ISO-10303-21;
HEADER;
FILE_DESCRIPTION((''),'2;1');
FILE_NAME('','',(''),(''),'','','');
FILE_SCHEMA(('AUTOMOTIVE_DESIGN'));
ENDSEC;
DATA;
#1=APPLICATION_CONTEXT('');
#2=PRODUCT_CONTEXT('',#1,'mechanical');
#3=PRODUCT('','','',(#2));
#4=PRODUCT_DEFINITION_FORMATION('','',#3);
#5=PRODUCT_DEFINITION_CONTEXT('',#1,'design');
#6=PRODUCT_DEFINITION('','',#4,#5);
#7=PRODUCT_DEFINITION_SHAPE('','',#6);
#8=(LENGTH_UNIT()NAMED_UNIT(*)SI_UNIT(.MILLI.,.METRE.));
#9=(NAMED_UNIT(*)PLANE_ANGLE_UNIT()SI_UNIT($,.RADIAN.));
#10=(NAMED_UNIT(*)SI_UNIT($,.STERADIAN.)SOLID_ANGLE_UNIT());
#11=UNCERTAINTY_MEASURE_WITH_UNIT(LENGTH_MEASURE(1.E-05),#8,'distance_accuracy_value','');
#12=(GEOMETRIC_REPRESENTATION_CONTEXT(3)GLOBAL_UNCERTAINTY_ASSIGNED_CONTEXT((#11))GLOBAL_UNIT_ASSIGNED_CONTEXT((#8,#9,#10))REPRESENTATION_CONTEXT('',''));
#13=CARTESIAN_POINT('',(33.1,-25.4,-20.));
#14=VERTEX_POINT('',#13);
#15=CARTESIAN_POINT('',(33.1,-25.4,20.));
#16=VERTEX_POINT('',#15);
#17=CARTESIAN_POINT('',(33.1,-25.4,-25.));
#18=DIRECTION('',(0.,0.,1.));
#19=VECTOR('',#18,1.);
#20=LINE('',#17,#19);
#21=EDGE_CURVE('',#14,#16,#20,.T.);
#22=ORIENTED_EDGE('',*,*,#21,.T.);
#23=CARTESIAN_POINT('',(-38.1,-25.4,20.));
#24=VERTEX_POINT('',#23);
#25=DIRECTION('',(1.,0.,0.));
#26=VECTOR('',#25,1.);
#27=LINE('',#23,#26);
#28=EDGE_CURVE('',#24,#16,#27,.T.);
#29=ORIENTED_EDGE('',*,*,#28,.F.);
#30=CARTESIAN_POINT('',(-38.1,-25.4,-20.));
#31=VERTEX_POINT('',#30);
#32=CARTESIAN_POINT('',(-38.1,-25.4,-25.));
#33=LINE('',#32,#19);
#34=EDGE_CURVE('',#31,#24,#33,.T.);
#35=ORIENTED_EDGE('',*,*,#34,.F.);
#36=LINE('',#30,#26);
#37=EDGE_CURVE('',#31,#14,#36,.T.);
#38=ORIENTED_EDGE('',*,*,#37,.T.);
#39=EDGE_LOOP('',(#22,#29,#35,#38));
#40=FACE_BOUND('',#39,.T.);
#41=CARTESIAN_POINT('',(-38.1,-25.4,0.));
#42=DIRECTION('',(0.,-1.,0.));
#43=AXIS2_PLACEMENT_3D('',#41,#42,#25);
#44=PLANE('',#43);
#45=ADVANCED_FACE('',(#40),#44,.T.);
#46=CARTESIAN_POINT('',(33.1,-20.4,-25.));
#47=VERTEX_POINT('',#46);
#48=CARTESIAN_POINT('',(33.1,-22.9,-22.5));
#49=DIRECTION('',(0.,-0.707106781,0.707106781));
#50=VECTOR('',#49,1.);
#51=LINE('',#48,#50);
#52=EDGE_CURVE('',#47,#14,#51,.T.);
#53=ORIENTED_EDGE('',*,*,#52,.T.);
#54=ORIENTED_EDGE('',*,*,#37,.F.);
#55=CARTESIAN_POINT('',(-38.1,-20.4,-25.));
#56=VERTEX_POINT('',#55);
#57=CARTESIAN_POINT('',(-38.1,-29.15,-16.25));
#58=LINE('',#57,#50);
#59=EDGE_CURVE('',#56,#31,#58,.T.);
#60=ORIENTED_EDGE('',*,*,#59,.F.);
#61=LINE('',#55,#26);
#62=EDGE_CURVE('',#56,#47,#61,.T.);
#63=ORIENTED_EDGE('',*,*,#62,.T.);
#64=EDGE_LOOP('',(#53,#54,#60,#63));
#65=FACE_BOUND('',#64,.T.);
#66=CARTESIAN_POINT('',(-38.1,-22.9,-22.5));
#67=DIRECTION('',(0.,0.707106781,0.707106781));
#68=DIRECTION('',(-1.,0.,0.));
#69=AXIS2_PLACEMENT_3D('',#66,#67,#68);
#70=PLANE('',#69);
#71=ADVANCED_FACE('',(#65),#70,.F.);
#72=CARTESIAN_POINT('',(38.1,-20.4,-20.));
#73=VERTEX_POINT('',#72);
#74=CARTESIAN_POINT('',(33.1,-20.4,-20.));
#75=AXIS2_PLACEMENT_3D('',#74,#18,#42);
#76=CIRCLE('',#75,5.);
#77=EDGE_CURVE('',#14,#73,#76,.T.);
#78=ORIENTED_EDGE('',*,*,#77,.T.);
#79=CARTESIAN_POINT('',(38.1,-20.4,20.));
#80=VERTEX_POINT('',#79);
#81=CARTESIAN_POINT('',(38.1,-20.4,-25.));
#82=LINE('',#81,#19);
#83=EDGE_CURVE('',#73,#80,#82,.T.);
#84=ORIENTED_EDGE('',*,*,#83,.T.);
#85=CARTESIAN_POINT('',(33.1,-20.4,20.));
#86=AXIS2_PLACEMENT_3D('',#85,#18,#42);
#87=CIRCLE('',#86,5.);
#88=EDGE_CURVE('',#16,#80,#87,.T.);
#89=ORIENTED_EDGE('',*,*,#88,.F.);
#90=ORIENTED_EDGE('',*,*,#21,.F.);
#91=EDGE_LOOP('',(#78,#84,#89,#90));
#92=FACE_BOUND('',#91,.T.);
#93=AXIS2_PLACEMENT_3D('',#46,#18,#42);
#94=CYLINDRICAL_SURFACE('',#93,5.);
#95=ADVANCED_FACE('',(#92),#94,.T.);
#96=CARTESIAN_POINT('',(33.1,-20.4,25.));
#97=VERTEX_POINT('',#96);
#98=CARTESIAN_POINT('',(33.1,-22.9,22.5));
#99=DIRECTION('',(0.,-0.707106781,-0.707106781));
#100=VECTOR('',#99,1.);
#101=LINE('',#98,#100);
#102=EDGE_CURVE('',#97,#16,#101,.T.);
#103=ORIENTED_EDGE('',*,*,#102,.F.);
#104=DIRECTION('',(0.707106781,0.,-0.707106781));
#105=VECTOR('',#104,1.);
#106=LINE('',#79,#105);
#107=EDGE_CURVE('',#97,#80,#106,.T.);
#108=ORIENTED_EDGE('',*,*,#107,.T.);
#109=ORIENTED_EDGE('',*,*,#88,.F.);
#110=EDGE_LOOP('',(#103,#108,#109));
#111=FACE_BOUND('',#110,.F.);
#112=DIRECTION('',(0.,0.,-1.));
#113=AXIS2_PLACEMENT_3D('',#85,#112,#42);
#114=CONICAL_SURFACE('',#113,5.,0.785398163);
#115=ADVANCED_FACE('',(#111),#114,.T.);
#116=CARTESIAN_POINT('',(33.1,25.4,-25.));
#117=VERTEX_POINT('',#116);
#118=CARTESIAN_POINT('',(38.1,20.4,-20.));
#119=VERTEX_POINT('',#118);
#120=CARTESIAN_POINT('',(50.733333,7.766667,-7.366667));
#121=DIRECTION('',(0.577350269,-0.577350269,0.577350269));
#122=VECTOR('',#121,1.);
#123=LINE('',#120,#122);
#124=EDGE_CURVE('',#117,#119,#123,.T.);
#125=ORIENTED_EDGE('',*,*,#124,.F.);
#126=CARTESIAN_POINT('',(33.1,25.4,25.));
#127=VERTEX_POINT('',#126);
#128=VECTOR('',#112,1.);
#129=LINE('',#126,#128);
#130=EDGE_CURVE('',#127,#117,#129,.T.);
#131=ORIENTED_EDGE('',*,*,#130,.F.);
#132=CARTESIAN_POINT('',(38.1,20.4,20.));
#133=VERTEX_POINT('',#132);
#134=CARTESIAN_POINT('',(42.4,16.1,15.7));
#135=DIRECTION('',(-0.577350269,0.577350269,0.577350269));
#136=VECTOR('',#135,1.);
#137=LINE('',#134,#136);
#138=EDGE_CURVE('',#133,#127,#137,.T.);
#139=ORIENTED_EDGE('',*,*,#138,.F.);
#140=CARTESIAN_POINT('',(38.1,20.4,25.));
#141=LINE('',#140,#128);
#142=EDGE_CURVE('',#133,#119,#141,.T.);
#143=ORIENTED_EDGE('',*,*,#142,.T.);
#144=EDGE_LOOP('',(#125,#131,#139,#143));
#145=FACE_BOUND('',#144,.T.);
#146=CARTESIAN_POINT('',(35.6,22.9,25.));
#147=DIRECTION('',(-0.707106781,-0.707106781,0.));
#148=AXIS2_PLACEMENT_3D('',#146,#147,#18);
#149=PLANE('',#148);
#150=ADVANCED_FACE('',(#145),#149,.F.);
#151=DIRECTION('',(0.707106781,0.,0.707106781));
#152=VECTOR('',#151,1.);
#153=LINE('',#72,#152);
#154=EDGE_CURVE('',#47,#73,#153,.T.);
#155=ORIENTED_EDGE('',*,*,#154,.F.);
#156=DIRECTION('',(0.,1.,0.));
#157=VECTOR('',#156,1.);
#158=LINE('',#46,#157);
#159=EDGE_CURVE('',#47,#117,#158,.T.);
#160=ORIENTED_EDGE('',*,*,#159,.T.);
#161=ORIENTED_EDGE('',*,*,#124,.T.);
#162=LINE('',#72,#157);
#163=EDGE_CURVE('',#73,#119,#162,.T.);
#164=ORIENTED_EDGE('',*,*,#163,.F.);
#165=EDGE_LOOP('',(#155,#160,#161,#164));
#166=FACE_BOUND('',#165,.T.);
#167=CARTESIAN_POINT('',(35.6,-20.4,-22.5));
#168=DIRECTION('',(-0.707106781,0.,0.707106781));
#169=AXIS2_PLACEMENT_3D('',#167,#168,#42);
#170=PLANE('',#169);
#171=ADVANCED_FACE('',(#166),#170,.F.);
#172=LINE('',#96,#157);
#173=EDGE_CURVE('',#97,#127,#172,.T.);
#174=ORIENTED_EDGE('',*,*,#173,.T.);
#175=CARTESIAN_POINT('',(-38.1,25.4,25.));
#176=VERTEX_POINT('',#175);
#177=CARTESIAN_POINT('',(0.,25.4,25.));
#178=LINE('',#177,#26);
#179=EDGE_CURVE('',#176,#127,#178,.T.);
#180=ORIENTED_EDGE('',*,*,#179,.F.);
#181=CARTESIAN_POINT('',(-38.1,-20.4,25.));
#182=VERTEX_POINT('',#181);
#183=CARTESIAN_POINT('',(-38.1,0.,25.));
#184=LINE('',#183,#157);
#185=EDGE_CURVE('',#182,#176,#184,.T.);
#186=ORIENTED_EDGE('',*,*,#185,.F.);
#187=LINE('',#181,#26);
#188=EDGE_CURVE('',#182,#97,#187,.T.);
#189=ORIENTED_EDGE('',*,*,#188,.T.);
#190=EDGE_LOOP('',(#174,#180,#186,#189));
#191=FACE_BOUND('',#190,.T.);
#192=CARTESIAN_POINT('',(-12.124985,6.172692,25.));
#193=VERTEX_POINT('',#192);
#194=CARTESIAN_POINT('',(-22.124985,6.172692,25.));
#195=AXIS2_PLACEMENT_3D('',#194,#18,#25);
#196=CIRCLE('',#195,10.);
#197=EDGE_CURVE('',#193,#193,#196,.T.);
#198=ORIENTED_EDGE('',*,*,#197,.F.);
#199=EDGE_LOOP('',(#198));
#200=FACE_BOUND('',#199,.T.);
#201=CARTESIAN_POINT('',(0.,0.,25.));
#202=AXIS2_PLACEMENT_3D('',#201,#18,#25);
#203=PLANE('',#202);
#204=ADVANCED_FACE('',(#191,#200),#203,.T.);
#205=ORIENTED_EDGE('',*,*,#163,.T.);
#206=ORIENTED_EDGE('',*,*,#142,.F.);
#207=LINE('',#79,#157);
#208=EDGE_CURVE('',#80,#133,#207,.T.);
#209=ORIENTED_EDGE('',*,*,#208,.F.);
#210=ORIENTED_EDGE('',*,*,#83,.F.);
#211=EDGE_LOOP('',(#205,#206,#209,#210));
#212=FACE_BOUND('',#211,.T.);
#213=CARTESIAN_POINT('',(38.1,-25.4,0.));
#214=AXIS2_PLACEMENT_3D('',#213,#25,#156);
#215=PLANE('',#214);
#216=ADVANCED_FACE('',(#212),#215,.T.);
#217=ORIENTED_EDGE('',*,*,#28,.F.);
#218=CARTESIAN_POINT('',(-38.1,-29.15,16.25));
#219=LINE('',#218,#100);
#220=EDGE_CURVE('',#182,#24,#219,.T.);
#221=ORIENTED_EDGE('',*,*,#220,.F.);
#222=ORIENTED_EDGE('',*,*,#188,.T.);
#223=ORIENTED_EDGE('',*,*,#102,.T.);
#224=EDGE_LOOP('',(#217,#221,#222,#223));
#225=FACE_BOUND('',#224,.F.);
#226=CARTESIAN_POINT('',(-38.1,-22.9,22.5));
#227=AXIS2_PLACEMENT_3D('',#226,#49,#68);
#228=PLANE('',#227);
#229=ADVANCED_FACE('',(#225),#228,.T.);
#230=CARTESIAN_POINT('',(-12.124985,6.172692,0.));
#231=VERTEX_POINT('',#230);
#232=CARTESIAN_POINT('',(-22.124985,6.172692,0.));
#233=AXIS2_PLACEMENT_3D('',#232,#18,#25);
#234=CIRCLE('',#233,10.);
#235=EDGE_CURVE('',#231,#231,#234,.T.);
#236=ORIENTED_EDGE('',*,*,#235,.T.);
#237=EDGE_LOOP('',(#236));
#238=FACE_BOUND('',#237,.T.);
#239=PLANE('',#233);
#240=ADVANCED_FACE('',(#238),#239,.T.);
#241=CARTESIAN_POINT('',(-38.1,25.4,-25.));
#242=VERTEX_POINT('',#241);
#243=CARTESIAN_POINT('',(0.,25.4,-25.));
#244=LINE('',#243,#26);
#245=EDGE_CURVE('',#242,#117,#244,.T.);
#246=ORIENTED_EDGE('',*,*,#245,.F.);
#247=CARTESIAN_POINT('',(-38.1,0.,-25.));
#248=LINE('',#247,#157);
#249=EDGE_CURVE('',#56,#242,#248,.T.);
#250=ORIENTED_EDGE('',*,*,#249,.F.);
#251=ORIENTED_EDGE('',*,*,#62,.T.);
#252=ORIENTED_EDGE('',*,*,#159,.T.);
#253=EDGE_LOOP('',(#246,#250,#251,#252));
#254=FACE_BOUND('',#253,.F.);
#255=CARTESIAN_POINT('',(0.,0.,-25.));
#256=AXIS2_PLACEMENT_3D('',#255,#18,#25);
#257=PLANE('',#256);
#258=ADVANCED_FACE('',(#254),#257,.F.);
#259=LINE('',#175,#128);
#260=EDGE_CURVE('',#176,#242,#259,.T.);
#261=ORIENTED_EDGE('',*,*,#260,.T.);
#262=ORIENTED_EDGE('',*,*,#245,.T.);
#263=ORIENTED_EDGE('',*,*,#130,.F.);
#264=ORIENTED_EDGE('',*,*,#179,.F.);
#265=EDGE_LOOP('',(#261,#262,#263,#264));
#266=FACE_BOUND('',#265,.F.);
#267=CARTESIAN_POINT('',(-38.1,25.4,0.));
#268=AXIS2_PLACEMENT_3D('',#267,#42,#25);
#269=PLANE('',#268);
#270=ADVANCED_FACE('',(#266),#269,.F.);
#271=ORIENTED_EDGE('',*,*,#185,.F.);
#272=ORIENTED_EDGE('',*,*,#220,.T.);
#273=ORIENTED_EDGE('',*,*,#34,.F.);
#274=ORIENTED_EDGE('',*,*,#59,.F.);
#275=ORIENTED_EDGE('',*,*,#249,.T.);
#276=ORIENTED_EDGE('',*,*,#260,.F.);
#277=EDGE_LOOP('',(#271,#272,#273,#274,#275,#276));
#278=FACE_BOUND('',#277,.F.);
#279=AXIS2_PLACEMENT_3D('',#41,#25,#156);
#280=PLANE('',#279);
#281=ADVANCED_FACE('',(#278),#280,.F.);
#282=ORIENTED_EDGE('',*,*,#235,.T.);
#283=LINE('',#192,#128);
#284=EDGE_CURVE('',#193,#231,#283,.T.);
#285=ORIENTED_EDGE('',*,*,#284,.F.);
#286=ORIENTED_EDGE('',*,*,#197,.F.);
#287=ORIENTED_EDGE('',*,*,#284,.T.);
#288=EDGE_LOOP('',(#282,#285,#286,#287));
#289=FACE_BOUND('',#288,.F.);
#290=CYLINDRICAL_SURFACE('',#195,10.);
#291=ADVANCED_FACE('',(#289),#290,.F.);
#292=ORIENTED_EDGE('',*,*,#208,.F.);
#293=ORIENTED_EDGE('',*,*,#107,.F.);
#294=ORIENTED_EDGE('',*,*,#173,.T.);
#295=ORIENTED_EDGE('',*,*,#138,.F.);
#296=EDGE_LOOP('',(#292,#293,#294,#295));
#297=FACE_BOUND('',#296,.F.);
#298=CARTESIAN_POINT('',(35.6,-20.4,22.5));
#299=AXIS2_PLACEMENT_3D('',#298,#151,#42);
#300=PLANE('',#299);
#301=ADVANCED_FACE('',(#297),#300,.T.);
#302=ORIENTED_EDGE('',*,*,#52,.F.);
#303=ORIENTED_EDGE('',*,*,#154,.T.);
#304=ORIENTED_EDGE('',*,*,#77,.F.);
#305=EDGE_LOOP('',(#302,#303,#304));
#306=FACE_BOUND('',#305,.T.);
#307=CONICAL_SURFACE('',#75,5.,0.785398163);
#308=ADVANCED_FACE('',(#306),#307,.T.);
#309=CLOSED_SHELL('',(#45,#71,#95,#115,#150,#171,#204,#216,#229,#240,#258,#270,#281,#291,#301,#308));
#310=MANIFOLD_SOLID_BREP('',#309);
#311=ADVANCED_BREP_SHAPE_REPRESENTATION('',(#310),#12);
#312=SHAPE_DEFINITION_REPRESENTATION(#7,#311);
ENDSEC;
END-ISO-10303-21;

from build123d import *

# Parameters (mm, degrees)
F0_W     = 76.2
F0_H     = 50.8
F1_DEPTH = 25
F2_R     = 10
F3_DEPTH = 25
F4_R     = 5
F5_SIZE  = 5


with BuildPart() as f1:
    # F0 (on Top) → F1 (new body, symmetric)
    with BuildSketch(Plane.XY):
        Rectangle(F0_W, F0_H)
    extrude(amount=F1_DEPTH, both=True)

    # F2 (on face) → F3 (cut)
    with BuildSketch(Plane.XY.offset(25)):
        with Locations((-22.124985, 6.172692)):
            Circle(F2_R)
    extrude(amount=-F3_DEPTH, mode=Mode.SUBTRACT)

    # F4
    f4_edges = [f1.edges().sort_by_distance(p)[0] for p in [
        (38.1, -25.4, 0),
    ]]
    fillet(f4_edges, radius=F4_R)

    # F5
    f5_edges = [f1.edges().sort_by_distance(p)[0] for p in [
        (38.1, 2.5, -25),
        (38.1, -20.4, 0),
        (38.1, 25.4, 0),
        (38.1, 2.5, 25),
    ]]
    chamfer(f5_edges, length=F5_SIZE)


solid = f1.part
